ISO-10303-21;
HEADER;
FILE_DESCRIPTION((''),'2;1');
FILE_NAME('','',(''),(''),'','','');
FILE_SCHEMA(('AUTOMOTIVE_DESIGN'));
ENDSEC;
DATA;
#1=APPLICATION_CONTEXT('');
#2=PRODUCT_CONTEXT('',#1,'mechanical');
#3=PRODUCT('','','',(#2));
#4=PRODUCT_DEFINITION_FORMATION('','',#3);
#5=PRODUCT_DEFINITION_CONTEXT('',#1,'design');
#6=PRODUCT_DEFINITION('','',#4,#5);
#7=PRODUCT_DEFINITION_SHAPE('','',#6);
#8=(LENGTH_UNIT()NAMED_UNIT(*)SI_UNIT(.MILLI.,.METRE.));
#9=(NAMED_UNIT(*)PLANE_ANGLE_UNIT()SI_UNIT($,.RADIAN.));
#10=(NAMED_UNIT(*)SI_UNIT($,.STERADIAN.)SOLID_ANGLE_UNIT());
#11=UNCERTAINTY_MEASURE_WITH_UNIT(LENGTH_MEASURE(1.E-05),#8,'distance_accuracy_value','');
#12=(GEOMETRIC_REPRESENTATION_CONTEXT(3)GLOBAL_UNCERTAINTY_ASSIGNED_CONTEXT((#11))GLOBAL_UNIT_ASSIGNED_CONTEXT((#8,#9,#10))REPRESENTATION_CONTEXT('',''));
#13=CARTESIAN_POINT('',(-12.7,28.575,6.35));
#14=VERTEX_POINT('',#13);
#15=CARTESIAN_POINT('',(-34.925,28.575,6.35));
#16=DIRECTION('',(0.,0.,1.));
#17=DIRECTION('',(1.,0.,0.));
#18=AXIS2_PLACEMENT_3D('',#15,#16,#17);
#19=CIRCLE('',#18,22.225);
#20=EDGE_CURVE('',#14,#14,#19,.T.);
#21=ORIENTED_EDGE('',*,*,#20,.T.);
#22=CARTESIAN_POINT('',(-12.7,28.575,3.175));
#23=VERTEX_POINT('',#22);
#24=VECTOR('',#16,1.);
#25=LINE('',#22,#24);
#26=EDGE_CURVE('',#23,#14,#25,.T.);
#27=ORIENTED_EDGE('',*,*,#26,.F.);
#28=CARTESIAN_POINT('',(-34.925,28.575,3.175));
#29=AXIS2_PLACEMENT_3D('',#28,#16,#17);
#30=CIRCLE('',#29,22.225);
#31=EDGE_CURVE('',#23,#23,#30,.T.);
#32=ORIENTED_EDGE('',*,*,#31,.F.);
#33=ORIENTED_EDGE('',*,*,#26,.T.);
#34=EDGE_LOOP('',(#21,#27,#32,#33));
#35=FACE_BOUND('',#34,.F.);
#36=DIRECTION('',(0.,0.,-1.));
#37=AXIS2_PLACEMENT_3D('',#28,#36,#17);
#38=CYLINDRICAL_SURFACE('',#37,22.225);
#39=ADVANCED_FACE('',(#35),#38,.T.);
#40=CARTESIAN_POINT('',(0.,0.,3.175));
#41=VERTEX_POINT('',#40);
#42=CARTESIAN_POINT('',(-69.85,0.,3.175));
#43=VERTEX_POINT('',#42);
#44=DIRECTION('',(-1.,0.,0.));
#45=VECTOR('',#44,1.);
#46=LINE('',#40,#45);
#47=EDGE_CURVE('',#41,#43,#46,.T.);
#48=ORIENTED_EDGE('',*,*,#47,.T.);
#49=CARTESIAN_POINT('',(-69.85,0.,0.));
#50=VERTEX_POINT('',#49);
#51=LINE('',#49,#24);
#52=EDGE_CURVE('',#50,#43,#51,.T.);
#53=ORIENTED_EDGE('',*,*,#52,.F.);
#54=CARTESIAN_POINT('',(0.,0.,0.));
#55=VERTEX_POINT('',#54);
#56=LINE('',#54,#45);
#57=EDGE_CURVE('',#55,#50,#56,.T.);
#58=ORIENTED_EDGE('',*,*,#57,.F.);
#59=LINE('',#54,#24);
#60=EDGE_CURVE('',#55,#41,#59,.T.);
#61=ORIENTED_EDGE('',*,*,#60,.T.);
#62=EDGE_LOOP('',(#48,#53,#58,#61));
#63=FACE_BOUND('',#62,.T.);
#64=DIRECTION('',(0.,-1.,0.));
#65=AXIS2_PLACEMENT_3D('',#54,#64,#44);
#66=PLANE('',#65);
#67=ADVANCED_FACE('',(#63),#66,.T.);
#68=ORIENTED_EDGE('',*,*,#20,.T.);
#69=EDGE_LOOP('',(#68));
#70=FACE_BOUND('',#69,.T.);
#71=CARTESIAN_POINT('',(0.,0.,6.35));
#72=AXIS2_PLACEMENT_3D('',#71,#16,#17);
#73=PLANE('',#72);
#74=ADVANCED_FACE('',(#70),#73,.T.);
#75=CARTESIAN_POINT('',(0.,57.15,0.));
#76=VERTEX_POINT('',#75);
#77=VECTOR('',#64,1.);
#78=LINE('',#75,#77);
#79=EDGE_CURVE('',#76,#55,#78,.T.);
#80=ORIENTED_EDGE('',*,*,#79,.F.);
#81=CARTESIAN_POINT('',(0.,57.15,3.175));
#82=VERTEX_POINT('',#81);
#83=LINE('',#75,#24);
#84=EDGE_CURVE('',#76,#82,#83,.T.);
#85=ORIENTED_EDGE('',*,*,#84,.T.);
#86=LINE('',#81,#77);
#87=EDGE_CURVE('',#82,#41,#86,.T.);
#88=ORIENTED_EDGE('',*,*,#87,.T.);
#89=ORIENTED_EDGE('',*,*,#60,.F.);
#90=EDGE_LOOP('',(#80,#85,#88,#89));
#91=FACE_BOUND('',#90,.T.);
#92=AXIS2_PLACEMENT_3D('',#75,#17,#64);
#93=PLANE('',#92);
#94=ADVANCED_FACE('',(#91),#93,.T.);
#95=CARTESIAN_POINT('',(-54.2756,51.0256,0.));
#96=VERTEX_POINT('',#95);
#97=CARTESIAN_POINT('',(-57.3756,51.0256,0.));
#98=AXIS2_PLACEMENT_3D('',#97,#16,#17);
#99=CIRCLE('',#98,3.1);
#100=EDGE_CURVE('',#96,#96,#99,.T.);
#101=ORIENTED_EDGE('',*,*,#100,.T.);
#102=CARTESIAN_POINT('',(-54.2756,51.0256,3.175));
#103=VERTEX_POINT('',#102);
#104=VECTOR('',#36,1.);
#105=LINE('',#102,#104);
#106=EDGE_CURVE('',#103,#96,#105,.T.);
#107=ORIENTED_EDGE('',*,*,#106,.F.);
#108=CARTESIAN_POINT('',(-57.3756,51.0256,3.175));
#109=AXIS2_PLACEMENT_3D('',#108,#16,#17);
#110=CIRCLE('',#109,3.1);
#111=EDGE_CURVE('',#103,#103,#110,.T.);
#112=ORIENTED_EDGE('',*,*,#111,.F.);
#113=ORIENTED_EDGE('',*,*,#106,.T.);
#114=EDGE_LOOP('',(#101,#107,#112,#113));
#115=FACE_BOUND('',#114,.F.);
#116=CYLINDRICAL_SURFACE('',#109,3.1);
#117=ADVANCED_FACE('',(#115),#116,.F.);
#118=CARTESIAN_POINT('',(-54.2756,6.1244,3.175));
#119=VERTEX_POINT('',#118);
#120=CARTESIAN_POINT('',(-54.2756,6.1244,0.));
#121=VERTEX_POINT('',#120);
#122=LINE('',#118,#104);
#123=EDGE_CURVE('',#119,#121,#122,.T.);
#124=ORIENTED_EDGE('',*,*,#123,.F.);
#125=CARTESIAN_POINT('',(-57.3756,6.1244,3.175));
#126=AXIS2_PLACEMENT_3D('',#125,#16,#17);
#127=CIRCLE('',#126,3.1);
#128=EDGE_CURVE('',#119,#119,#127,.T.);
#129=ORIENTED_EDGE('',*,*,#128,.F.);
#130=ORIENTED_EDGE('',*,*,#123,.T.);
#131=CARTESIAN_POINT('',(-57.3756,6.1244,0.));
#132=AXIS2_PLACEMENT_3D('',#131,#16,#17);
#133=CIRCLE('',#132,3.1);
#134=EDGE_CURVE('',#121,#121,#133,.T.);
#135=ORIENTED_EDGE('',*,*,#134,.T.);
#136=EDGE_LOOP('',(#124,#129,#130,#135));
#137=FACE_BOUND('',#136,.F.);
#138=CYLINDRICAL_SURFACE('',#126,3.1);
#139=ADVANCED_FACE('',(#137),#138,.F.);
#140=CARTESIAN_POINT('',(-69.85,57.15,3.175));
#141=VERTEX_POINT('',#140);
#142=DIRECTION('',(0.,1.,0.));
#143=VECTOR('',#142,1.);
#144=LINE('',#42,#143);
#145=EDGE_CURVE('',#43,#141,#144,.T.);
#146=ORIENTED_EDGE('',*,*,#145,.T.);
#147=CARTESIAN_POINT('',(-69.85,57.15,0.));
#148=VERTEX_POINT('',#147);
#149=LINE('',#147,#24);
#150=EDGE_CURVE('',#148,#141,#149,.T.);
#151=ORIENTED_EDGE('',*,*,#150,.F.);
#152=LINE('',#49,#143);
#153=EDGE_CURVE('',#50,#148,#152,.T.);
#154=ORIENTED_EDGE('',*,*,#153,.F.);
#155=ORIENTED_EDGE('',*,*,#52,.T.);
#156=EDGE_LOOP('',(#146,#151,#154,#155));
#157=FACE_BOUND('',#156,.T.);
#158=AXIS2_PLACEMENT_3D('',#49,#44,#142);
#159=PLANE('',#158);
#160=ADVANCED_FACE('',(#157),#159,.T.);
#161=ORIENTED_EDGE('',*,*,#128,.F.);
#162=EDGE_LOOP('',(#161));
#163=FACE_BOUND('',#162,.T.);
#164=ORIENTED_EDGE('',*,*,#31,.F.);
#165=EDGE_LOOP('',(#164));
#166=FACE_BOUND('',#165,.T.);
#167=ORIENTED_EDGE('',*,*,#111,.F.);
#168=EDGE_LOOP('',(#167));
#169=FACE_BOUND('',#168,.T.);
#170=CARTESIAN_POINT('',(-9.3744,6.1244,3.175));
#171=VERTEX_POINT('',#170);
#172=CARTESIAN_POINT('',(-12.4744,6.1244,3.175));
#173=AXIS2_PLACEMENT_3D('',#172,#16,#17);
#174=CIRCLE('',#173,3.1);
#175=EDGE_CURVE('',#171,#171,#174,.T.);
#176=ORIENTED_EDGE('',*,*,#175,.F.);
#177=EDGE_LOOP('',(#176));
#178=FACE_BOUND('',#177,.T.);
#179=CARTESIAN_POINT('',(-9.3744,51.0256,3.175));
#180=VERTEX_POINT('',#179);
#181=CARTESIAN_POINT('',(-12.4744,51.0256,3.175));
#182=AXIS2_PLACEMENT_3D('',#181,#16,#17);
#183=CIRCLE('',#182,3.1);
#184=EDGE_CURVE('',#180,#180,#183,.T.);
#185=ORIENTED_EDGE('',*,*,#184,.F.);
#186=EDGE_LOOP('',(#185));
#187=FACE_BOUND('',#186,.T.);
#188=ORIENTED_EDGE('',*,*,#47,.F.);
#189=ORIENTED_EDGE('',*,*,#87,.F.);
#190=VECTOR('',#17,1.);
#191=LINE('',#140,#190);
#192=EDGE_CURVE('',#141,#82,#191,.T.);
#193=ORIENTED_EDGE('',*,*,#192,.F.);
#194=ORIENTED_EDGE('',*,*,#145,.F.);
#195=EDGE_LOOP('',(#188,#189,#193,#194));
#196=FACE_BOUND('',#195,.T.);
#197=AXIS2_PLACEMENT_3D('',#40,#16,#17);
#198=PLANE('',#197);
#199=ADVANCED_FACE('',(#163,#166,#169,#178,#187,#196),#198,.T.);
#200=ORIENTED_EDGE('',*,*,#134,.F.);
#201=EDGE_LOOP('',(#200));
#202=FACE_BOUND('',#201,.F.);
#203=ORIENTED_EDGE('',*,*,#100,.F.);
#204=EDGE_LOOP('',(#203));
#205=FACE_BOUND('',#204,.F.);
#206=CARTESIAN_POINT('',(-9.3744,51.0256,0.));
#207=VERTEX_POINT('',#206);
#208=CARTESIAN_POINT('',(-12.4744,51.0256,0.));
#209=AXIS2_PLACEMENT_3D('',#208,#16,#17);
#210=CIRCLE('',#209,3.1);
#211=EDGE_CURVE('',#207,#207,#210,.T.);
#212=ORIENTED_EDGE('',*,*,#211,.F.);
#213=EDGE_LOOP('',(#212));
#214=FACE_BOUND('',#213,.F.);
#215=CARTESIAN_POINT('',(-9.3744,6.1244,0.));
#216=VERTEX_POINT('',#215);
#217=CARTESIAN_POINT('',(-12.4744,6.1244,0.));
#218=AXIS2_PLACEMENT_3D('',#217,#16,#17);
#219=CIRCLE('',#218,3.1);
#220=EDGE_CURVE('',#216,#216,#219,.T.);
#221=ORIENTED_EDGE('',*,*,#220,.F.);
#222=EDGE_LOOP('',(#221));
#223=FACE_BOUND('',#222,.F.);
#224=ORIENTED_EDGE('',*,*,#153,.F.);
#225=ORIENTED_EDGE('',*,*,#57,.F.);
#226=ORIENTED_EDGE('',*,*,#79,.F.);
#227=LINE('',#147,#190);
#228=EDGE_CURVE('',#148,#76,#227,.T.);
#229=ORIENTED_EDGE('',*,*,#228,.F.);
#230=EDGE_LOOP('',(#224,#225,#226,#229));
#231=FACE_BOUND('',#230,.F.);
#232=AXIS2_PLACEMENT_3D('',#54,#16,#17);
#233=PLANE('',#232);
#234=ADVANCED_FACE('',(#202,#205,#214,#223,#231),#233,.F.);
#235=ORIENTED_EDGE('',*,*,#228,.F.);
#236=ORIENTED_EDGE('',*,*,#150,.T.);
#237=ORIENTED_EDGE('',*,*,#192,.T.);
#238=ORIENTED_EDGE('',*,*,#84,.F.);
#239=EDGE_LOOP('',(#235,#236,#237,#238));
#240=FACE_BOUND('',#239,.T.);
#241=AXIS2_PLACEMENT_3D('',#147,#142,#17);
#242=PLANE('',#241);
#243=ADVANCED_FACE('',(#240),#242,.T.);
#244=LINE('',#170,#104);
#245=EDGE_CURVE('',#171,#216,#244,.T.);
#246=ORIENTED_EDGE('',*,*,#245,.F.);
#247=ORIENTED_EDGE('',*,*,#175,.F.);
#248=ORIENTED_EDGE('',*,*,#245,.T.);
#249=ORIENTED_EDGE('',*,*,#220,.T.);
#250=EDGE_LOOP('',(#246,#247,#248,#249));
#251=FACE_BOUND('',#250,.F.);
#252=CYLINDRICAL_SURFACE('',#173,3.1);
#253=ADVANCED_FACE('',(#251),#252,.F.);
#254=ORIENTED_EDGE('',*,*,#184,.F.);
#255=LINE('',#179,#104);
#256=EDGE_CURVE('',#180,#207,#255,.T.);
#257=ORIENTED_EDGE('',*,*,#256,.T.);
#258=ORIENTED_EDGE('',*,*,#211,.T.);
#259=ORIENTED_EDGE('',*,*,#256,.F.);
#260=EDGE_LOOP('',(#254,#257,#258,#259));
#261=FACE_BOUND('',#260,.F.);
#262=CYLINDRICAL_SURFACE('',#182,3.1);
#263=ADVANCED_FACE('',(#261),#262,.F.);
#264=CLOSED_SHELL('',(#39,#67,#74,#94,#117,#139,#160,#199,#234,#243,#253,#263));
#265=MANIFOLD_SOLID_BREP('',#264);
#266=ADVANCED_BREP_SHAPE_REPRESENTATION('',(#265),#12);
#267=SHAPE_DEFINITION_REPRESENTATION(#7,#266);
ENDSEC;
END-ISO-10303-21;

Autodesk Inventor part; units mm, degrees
ref_plane "YZ Plane" through (0, 0, 0) normal (1, 0, 0) x (0, 1, 0)
ref_plane "XZ Plane" through (0, 0, 0) normal (0, 1, 0) x (-1, 0, 0)
ref_plane "XY Plane" through (0, 0, 0) normal (0, 0, 1) x (1, 0, 0)
sketch "Sketch1" plane through (0, 0, 0) normal (0, 0, 1) x (1, 0, 0)
  line L0 (0, 0) -> (-69.85, 0)
  line L1 (-69.85, 0) -> (-69.85, 57.15)
  line L2 (-69.85, 57.15) -> (0, 57.15)
  line L3 (0, 57.15) -> (0, 0)
  dimension "d0" = 69.85
  dimension "d1" = 57.15
extrude "Extrusion1" add sketch "Sketch1" along normal blind 3.175
sketch "Sketch2" plane through (0, 0, 3.175) normal (0, 0, 1) x (1, 0, 0)
  line L0 (-69.85, 57.15) -> (-69.85, 0) construction
  line L1 (-69.85, 0) -> (0, 0) construction
  line L2 (-69.85, 57.15) -> (0, 0) construction
  circle A0 centre (-34.925, 28.575) radius 22.225
  dimension "d4" = 44.45
extrude "Extrusion2" add sketch "Sketch2" along normal blind 3.175
sketch "Sketch3" plane through (0, 0, 3.175) normal (0, 0, 1) x (1, 0, 0)
  circle A0 centre (-34.925, 28.575) radius 22.225 construction
  circle A1 centre (-34.925, 28.575) radius 31.75 construction
  line L0 (-34.925, 28.575) -> (-12.4744, 6.1244) construction
  line L1 (-34.925, 28.575) -> (-3.175, 28.575) construction
  circle A2 centre (-12.4744, 6.1244) radius 3.1
  circle A3 centre (-12.4744, 51.0256) radius 3.1
  circle A4 centre (-57.3756, 51.0256) radius 3.1
  circle A5 centre (-57.3756, 6.1244) radius 3.1
  point P0 (0, 0)
  dimension "d7" = 63.5
  dimension "d8" = 45
  dimension "d9" = 6.2
  dimension "d12" = 360
extrude "Extrusion3" cut sketch "Sketch3" against normal blind 3.175
properties part number "endcap1" material "Aluminum 6061"
